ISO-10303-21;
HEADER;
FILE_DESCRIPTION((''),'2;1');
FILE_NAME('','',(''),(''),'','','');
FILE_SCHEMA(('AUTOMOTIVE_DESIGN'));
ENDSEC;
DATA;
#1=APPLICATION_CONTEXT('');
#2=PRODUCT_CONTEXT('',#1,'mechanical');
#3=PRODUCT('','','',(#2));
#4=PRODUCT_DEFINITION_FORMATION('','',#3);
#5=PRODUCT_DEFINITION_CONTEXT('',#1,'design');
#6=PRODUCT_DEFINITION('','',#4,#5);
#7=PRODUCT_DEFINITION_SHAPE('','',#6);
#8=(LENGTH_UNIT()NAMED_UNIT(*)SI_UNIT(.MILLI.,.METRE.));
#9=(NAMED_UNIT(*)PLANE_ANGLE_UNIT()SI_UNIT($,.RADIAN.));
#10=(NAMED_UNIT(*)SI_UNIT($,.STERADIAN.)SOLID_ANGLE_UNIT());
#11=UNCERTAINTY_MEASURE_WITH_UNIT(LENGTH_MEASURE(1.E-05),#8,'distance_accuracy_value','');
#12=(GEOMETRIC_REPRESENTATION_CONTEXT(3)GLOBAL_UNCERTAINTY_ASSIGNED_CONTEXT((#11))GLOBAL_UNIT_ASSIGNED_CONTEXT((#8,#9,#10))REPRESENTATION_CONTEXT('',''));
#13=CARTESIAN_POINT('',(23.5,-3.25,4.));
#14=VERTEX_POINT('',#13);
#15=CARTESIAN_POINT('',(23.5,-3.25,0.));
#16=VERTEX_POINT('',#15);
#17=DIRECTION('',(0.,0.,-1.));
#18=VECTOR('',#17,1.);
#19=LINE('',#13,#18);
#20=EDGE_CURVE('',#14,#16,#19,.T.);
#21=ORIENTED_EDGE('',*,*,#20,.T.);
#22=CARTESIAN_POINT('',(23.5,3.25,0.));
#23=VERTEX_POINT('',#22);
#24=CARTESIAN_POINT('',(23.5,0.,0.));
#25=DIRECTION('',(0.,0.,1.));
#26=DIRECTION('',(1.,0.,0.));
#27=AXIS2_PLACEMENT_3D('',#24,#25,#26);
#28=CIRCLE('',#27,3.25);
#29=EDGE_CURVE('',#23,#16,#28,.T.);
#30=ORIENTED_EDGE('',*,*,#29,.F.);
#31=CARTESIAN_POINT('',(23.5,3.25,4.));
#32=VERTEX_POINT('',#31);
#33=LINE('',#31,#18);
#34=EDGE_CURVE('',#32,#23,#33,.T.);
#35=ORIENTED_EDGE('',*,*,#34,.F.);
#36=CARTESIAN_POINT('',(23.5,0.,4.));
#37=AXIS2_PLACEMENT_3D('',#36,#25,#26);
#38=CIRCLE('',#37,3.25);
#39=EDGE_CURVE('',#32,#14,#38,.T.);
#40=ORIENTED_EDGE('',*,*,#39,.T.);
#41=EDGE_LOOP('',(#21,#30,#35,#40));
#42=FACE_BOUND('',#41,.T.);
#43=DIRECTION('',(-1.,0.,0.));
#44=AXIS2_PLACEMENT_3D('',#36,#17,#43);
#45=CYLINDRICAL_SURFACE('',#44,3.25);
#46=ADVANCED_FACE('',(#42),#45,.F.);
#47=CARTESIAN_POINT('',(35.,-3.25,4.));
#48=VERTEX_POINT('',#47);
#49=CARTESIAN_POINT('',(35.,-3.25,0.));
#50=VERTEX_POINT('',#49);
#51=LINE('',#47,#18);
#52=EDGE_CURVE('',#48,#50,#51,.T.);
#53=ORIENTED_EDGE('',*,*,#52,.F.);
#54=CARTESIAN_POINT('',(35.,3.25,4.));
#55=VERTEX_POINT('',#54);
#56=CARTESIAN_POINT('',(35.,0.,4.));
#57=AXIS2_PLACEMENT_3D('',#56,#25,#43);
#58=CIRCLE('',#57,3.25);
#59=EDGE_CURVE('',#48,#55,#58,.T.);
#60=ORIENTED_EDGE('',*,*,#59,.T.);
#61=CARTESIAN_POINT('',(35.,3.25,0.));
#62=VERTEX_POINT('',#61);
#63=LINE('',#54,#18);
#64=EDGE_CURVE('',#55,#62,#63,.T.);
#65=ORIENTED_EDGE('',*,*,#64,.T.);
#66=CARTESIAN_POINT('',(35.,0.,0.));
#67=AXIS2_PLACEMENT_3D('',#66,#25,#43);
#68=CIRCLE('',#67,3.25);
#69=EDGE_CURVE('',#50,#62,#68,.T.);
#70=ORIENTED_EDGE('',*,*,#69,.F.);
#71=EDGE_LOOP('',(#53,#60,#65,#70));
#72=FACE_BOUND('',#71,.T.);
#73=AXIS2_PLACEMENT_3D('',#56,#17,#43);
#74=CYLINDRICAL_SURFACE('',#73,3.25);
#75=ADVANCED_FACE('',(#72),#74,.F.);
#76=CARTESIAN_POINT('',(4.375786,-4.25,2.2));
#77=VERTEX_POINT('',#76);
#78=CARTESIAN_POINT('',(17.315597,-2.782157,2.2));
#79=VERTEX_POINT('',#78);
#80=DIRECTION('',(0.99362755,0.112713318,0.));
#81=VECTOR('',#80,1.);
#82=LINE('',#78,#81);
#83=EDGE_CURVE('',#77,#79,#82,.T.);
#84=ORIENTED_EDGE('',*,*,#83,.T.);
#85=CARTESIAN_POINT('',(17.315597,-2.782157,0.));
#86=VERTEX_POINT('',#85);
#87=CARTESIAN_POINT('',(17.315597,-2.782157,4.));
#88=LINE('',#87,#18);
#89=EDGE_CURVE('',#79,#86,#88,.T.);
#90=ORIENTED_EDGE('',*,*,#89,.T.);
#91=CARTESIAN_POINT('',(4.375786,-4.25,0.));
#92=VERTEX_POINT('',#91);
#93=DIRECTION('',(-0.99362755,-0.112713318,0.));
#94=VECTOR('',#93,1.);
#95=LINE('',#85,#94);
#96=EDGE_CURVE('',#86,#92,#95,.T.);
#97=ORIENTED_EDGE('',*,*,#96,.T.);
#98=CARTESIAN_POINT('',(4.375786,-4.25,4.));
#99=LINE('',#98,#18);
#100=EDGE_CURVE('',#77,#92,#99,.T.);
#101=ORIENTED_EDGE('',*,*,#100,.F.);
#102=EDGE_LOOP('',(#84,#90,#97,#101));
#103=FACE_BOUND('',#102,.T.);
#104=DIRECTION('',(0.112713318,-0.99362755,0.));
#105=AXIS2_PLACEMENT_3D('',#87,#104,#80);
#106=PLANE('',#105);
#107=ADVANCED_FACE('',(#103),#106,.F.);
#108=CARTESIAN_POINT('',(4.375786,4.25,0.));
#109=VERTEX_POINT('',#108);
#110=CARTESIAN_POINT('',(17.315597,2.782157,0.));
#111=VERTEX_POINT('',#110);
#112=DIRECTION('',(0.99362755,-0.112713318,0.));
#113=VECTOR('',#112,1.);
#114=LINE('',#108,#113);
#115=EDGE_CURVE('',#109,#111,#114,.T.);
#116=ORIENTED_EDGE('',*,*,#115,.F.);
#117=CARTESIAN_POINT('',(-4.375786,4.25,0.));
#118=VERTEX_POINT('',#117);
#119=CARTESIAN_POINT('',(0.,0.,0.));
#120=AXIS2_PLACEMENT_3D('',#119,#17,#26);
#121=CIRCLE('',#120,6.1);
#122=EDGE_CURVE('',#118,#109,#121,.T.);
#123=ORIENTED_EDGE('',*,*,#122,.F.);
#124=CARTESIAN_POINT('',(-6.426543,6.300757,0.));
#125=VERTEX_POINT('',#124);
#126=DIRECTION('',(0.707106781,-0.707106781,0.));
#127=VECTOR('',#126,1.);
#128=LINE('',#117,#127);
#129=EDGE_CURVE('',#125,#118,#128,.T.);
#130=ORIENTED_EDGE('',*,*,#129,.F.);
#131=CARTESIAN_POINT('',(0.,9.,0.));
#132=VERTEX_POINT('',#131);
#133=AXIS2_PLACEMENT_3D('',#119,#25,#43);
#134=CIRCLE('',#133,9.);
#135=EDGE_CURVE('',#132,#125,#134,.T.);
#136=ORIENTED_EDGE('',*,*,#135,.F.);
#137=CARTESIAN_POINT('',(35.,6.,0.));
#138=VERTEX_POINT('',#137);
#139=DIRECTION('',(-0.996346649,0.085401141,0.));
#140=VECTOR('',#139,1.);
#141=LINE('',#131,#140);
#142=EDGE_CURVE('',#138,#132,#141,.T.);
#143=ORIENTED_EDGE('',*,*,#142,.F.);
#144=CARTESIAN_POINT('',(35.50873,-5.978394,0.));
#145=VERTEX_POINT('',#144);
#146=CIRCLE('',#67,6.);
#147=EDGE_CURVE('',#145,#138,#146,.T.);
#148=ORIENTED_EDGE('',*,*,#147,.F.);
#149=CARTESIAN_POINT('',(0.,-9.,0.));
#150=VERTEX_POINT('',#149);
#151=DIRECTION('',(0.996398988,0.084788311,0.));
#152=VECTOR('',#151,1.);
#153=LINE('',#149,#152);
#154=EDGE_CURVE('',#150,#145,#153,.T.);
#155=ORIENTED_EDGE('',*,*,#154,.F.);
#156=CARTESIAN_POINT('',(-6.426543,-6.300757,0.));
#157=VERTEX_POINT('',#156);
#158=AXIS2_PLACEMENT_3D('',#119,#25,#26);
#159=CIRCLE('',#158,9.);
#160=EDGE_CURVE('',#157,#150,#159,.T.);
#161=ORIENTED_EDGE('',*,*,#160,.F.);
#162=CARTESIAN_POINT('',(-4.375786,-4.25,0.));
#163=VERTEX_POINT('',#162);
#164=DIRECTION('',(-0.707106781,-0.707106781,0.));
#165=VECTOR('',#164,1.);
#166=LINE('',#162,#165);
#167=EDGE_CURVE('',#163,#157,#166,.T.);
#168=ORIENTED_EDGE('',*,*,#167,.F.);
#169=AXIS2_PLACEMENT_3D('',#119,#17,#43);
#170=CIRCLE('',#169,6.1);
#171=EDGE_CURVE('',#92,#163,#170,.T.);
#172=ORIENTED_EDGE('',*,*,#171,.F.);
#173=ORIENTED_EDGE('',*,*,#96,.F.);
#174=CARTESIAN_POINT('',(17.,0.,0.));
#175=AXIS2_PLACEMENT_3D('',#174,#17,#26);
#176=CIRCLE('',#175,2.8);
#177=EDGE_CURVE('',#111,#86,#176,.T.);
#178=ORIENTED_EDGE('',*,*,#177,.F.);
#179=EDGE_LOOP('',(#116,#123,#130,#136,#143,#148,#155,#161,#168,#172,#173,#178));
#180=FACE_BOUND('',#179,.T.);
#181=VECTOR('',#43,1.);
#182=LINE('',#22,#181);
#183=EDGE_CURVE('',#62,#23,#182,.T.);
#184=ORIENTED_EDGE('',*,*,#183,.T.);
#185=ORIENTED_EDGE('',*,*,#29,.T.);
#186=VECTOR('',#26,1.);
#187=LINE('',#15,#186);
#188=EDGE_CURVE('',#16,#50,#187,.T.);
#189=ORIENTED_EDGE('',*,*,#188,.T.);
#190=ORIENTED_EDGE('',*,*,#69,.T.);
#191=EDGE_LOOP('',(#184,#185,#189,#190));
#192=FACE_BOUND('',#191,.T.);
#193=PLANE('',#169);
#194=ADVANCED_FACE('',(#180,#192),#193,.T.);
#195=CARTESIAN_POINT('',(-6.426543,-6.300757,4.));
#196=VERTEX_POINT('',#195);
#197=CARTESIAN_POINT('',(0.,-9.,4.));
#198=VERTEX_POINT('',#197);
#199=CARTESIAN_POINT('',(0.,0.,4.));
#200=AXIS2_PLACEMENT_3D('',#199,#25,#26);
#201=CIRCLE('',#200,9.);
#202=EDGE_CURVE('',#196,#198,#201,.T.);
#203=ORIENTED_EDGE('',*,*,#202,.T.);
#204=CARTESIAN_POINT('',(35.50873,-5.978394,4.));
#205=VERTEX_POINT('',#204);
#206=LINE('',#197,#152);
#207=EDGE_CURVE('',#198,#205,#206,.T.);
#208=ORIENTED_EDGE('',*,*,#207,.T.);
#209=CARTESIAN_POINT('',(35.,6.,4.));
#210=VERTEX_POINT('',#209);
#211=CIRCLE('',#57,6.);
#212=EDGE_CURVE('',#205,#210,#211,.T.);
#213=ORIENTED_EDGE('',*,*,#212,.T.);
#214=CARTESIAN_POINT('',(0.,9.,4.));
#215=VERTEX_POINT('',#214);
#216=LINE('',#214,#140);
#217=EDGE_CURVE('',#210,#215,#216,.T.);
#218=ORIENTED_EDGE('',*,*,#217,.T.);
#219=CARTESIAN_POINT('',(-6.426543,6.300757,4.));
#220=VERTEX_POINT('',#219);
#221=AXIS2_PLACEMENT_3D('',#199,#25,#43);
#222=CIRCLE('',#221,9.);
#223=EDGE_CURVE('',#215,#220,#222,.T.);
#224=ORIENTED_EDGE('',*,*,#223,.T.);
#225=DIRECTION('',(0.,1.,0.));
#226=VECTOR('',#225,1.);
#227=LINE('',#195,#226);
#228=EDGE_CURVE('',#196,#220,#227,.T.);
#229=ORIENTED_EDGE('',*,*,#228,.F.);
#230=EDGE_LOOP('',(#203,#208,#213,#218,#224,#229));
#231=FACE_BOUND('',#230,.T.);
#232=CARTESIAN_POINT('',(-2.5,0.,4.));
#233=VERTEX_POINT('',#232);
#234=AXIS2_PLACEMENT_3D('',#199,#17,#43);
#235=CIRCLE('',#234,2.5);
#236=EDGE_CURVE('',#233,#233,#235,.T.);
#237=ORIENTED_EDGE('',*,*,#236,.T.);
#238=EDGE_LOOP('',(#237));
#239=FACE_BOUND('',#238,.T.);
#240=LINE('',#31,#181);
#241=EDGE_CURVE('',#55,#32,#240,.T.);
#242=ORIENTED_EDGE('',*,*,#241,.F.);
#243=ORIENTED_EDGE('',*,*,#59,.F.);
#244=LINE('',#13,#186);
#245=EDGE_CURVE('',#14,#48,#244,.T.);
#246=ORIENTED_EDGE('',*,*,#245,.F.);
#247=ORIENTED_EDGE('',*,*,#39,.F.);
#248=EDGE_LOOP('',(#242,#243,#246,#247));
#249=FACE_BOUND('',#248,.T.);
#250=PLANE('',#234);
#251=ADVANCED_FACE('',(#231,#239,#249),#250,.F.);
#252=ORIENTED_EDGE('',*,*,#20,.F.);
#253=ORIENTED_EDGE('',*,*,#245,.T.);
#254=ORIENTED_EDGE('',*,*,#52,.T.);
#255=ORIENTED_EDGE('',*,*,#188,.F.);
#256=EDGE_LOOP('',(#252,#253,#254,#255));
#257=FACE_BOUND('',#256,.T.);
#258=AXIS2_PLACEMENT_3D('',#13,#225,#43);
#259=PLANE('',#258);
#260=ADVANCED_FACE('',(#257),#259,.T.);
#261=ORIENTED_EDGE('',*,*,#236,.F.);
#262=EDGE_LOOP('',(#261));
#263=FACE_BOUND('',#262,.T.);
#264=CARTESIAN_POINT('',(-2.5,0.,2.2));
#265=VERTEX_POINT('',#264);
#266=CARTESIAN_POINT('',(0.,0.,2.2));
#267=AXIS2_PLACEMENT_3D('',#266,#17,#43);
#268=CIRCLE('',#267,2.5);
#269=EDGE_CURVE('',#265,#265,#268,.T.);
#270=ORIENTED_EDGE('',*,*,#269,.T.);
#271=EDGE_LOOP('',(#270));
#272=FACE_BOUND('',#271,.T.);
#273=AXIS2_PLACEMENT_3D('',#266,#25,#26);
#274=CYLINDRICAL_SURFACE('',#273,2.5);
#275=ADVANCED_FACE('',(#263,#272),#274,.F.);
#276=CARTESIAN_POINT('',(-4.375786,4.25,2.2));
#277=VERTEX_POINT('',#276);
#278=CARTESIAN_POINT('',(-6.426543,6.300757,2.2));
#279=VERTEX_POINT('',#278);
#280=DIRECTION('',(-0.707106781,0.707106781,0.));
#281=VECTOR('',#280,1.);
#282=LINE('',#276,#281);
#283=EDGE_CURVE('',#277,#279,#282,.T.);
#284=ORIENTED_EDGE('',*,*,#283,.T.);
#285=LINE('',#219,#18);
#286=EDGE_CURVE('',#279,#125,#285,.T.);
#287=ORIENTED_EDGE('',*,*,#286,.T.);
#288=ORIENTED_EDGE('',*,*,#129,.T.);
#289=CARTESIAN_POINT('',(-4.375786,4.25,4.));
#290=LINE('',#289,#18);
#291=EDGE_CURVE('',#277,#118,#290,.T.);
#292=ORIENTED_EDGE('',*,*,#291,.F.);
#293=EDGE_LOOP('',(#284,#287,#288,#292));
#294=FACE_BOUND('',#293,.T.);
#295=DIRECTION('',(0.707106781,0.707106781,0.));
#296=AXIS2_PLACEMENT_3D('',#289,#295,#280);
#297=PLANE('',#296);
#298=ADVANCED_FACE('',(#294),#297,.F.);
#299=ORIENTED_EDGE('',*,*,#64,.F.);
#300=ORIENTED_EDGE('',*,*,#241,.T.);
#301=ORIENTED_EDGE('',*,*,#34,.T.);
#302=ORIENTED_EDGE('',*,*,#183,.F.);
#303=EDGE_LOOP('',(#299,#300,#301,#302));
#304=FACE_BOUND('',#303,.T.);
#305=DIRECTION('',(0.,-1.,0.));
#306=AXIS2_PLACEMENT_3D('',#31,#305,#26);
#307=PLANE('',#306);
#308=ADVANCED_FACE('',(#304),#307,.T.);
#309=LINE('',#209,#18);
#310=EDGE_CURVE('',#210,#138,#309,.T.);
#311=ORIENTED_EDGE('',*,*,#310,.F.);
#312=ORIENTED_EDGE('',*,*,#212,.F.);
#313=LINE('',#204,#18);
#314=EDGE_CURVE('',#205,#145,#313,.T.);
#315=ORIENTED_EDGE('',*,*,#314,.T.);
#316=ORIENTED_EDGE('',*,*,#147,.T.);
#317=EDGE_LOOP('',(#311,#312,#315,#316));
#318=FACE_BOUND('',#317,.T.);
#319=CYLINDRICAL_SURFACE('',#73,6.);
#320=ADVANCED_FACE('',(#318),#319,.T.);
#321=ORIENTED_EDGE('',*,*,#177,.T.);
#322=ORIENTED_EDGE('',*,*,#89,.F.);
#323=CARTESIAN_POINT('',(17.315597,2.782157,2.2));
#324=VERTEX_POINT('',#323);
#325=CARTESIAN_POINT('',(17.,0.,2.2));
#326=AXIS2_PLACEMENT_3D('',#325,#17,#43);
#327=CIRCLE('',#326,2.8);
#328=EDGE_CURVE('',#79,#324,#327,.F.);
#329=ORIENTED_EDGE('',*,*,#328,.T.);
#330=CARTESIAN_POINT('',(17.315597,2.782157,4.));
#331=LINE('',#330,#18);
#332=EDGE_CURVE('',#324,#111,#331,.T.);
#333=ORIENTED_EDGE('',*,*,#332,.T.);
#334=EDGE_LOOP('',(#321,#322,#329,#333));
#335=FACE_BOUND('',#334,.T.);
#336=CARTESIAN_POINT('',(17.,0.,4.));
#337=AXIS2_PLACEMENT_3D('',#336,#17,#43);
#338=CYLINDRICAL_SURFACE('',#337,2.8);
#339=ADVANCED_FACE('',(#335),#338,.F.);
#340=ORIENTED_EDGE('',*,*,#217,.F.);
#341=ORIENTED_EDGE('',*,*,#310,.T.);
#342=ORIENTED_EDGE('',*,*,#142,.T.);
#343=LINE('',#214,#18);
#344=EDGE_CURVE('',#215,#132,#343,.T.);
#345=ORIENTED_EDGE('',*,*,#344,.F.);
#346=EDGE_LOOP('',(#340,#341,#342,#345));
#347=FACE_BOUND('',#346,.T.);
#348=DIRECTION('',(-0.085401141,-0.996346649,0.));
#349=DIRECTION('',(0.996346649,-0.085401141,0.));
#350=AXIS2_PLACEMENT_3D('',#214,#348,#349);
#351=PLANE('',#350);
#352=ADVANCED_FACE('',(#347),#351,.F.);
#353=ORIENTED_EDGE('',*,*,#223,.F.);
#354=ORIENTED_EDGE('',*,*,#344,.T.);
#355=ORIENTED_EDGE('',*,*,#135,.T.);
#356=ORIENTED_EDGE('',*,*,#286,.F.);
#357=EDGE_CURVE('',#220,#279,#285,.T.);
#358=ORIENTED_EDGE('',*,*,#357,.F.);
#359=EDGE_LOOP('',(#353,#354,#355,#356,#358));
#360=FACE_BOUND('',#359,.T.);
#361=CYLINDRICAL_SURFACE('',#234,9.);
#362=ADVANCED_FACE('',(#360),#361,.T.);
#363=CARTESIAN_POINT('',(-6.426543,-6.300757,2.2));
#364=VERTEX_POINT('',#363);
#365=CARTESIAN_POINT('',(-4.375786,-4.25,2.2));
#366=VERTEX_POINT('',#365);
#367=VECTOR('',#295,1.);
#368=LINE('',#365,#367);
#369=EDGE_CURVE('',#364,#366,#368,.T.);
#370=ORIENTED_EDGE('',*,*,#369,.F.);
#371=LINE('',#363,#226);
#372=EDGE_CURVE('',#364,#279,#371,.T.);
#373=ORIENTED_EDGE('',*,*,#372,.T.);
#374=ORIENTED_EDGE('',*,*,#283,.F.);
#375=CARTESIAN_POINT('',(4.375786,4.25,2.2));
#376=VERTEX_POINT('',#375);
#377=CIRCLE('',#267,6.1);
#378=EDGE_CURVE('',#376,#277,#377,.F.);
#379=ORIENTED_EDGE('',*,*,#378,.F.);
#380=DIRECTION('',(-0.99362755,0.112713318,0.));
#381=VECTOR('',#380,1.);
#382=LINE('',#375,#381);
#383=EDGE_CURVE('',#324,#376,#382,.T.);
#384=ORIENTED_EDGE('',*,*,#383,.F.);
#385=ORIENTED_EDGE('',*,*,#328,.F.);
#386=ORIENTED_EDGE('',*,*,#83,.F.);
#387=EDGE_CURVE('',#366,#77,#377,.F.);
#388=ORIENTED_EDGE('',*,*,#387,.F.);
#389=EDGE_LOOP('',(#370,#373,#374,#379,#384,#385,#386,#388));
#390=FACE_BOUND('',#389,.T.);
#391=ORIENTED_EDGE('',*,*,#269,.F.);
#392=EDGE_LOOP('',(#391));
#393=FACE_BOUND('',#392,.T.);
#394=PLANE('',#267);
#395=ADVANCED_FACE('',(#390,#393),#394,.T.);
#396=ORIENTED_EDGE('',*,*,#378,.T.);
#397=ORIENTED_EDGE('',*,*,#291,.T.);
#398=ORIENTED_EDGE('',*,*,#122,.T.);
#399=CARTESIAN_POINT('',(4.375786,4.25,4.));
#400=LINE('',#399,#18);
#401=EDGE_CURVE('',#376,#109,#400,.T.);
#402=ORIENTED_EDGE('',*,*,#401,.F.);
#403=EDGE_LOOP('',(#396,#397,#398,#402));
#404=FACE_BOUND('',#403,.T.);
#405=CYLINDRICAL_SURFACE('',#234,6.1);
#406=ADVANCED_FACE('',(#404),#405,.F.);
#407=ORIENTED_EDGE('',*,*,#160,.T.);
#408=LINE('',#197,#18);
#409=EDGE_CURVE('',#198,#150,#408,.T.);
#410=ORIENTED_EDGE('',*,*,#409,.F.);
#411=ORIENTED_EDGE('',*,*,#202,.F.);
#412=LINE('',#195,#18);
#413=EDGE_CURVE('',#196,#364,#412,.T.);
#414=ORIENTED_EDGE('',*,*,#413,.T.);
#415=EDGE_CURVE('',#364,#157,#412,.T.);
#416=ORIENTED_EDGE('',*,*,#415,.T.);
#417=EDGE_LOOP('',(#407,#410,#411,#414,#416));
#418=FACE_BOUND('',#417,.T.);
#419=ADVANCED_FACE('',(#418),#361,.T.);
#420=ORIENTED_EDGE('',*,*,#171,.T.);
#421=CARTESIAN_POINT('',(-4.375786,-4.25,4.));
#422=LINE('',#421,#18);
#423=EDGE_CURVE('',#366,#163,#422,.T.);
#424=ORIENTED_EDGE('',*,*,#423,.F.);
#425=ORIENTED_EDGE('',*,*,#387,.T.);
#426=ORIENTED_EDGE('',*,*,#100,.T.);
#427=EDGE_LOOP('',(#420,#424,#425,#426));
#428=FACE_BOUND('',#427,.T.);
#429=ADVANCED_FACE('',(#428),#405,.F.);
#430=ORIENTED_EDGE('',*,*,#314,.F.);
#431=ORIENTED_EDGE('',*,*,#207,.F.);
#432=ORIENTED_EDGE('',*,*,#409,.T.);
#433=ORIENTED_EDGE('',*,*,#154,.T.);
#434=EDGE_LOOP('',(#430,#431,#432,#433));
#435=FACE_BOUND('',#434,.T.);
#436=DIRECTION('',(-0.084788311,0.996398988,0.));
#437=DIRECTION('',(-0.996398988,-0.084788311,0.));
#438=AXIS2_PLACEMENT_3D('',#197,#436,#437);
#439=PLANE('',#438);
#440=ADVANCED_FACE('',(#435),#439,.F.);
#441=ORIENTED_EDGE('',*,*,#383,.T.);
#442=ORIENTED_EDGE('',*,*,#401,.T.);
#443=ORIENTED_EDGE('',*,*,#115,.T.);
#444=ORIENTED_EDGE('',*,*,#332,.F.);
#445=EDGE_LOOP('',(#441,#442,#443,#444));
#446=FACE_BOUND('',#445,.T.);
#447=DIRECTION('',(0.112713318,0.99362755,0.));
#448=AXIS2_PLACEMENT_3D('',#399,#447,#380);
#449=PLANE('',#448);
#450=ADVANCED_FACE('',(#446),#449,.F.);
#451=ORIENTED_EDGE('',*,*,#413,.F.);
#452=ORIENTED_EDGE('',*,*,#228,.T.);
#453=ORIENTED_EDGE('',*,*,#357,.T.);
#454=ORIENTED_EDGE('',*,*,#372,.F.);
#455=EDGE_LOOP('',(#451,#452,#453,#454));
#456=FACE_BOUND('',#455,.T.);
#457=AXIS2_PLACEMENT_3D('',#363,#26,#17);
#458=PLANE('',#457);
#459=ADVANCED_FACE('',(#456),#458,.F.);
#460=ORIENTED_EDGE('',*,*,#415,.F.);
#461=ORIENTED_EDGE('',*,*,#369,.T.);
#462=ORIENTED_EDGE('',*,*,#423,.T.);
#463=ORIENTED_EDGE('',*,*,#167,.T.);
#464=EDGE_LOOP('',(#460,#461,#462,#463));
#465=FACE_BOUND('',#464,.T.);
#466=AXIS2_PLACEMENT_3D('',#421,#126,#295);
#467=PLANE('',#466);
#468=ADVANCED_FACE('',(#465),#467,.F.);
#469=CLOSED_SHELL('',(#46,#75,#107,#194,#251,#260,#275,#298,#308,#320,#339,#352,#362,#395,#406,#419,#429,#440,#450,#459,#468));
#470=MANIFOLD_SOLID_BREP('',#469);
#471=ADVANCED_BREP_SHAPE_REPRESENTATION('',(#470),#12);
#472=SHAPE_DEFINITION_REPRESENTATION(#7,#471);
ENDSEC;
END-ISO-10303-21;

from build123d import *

# Parameters (mm, degrees)
MAIN_DEPTH          = 4
ESQUISSE2_R         = 2.5
BOSS_EXTRUDE1_DEPTH = 1.8


with BuildPart() as part:
    # Esquisse1 → Main (new body)
    with BuildSketch(Plane.XY):
        with BuildLine():
            Line((-4.375785644, 4.25), (-6.426543071, 6.300757427))
            ThreePointArc((-6.426543071, 6.300757427), (-3.48519606, 8.297795395), (0, 9))
            Line((0, 9), (35, 6))
            ThreePointArc((35, 6), (40.994596048, 0.254594236), (35.508729866, -5.978393925))
            Line((35.508729866, -5.978393925), (0, -9))
            ThreePointArc((0, -9), (-3.48519606, -8.297795395), (-6.426543071, -6.300757427))
            Line((-6.426543071, -6.300757427), (-4.375785644, -4.25))
            ThreePointArc((-4.375785644, -4.25), (0, -6.1), (4.375785644, -4.25))
            Line((4.375785644, -4.25), (17.31559729, -2.78215714))
            ThreePointArc((17.31559729, -2.78215714), (19.8, 0), (17.31559729, 2.78215714))
            Line((17.31559729, 2.78215714), (4.375785644, 4.25))
            ThreePointArc((4.375785644, 4.25), (0, 6.1), (-4.375785644, 4.25))
        make_face()
        with BuildLine():
            Line((23.5, 3.25), (35, 3.25))
            ThreePointArc((35, 3.25), (38.25, 0), (35, -3.25))
            Line((35, -3.25), (23.5, -3.25))
            ThreePointArc((23.5, -3.25), (20.25, 0), (23.5, 3.25))
        make_face(mode=Mode.SUBTRACT)
    extrude(amount=MAIN_DEPTH)

    # Esquisse2 → Boss-Extrude1 (add)
    with BuildSketch(Plane(origin=(0, 0, 4), x_dir=(-1, 0, 0), z_dir=(0, 0, -1))):
        with BuildLine():
            Line((0, -9), (-13.008239171, -7.893067292))
            ThreePointArc((-13.008239171, -7.893067292), (-20.250000727, -0.004029611), (-13.008239171, 7.885008071))
            Line((-13.008239171, 7.885008071), (0, 9))
            ThreePointArc((0, 9), (3.48519606, 8.297795395), (6.426543071, 6.300757427))
            Line((6.426543071, 6.300757427), (6.426543071, -6.300757427))
            ThreePointArc((6.426543071, -6.300757427), (3.48519606, -8.297795395), (0, -9))
        make_face()
        Circle(ESQUISSE2_R, mode=Mode.SUBTRACT)
    extrude(amount=BOSS_EXTRUDE1_DEPTH)


solid = part.part
